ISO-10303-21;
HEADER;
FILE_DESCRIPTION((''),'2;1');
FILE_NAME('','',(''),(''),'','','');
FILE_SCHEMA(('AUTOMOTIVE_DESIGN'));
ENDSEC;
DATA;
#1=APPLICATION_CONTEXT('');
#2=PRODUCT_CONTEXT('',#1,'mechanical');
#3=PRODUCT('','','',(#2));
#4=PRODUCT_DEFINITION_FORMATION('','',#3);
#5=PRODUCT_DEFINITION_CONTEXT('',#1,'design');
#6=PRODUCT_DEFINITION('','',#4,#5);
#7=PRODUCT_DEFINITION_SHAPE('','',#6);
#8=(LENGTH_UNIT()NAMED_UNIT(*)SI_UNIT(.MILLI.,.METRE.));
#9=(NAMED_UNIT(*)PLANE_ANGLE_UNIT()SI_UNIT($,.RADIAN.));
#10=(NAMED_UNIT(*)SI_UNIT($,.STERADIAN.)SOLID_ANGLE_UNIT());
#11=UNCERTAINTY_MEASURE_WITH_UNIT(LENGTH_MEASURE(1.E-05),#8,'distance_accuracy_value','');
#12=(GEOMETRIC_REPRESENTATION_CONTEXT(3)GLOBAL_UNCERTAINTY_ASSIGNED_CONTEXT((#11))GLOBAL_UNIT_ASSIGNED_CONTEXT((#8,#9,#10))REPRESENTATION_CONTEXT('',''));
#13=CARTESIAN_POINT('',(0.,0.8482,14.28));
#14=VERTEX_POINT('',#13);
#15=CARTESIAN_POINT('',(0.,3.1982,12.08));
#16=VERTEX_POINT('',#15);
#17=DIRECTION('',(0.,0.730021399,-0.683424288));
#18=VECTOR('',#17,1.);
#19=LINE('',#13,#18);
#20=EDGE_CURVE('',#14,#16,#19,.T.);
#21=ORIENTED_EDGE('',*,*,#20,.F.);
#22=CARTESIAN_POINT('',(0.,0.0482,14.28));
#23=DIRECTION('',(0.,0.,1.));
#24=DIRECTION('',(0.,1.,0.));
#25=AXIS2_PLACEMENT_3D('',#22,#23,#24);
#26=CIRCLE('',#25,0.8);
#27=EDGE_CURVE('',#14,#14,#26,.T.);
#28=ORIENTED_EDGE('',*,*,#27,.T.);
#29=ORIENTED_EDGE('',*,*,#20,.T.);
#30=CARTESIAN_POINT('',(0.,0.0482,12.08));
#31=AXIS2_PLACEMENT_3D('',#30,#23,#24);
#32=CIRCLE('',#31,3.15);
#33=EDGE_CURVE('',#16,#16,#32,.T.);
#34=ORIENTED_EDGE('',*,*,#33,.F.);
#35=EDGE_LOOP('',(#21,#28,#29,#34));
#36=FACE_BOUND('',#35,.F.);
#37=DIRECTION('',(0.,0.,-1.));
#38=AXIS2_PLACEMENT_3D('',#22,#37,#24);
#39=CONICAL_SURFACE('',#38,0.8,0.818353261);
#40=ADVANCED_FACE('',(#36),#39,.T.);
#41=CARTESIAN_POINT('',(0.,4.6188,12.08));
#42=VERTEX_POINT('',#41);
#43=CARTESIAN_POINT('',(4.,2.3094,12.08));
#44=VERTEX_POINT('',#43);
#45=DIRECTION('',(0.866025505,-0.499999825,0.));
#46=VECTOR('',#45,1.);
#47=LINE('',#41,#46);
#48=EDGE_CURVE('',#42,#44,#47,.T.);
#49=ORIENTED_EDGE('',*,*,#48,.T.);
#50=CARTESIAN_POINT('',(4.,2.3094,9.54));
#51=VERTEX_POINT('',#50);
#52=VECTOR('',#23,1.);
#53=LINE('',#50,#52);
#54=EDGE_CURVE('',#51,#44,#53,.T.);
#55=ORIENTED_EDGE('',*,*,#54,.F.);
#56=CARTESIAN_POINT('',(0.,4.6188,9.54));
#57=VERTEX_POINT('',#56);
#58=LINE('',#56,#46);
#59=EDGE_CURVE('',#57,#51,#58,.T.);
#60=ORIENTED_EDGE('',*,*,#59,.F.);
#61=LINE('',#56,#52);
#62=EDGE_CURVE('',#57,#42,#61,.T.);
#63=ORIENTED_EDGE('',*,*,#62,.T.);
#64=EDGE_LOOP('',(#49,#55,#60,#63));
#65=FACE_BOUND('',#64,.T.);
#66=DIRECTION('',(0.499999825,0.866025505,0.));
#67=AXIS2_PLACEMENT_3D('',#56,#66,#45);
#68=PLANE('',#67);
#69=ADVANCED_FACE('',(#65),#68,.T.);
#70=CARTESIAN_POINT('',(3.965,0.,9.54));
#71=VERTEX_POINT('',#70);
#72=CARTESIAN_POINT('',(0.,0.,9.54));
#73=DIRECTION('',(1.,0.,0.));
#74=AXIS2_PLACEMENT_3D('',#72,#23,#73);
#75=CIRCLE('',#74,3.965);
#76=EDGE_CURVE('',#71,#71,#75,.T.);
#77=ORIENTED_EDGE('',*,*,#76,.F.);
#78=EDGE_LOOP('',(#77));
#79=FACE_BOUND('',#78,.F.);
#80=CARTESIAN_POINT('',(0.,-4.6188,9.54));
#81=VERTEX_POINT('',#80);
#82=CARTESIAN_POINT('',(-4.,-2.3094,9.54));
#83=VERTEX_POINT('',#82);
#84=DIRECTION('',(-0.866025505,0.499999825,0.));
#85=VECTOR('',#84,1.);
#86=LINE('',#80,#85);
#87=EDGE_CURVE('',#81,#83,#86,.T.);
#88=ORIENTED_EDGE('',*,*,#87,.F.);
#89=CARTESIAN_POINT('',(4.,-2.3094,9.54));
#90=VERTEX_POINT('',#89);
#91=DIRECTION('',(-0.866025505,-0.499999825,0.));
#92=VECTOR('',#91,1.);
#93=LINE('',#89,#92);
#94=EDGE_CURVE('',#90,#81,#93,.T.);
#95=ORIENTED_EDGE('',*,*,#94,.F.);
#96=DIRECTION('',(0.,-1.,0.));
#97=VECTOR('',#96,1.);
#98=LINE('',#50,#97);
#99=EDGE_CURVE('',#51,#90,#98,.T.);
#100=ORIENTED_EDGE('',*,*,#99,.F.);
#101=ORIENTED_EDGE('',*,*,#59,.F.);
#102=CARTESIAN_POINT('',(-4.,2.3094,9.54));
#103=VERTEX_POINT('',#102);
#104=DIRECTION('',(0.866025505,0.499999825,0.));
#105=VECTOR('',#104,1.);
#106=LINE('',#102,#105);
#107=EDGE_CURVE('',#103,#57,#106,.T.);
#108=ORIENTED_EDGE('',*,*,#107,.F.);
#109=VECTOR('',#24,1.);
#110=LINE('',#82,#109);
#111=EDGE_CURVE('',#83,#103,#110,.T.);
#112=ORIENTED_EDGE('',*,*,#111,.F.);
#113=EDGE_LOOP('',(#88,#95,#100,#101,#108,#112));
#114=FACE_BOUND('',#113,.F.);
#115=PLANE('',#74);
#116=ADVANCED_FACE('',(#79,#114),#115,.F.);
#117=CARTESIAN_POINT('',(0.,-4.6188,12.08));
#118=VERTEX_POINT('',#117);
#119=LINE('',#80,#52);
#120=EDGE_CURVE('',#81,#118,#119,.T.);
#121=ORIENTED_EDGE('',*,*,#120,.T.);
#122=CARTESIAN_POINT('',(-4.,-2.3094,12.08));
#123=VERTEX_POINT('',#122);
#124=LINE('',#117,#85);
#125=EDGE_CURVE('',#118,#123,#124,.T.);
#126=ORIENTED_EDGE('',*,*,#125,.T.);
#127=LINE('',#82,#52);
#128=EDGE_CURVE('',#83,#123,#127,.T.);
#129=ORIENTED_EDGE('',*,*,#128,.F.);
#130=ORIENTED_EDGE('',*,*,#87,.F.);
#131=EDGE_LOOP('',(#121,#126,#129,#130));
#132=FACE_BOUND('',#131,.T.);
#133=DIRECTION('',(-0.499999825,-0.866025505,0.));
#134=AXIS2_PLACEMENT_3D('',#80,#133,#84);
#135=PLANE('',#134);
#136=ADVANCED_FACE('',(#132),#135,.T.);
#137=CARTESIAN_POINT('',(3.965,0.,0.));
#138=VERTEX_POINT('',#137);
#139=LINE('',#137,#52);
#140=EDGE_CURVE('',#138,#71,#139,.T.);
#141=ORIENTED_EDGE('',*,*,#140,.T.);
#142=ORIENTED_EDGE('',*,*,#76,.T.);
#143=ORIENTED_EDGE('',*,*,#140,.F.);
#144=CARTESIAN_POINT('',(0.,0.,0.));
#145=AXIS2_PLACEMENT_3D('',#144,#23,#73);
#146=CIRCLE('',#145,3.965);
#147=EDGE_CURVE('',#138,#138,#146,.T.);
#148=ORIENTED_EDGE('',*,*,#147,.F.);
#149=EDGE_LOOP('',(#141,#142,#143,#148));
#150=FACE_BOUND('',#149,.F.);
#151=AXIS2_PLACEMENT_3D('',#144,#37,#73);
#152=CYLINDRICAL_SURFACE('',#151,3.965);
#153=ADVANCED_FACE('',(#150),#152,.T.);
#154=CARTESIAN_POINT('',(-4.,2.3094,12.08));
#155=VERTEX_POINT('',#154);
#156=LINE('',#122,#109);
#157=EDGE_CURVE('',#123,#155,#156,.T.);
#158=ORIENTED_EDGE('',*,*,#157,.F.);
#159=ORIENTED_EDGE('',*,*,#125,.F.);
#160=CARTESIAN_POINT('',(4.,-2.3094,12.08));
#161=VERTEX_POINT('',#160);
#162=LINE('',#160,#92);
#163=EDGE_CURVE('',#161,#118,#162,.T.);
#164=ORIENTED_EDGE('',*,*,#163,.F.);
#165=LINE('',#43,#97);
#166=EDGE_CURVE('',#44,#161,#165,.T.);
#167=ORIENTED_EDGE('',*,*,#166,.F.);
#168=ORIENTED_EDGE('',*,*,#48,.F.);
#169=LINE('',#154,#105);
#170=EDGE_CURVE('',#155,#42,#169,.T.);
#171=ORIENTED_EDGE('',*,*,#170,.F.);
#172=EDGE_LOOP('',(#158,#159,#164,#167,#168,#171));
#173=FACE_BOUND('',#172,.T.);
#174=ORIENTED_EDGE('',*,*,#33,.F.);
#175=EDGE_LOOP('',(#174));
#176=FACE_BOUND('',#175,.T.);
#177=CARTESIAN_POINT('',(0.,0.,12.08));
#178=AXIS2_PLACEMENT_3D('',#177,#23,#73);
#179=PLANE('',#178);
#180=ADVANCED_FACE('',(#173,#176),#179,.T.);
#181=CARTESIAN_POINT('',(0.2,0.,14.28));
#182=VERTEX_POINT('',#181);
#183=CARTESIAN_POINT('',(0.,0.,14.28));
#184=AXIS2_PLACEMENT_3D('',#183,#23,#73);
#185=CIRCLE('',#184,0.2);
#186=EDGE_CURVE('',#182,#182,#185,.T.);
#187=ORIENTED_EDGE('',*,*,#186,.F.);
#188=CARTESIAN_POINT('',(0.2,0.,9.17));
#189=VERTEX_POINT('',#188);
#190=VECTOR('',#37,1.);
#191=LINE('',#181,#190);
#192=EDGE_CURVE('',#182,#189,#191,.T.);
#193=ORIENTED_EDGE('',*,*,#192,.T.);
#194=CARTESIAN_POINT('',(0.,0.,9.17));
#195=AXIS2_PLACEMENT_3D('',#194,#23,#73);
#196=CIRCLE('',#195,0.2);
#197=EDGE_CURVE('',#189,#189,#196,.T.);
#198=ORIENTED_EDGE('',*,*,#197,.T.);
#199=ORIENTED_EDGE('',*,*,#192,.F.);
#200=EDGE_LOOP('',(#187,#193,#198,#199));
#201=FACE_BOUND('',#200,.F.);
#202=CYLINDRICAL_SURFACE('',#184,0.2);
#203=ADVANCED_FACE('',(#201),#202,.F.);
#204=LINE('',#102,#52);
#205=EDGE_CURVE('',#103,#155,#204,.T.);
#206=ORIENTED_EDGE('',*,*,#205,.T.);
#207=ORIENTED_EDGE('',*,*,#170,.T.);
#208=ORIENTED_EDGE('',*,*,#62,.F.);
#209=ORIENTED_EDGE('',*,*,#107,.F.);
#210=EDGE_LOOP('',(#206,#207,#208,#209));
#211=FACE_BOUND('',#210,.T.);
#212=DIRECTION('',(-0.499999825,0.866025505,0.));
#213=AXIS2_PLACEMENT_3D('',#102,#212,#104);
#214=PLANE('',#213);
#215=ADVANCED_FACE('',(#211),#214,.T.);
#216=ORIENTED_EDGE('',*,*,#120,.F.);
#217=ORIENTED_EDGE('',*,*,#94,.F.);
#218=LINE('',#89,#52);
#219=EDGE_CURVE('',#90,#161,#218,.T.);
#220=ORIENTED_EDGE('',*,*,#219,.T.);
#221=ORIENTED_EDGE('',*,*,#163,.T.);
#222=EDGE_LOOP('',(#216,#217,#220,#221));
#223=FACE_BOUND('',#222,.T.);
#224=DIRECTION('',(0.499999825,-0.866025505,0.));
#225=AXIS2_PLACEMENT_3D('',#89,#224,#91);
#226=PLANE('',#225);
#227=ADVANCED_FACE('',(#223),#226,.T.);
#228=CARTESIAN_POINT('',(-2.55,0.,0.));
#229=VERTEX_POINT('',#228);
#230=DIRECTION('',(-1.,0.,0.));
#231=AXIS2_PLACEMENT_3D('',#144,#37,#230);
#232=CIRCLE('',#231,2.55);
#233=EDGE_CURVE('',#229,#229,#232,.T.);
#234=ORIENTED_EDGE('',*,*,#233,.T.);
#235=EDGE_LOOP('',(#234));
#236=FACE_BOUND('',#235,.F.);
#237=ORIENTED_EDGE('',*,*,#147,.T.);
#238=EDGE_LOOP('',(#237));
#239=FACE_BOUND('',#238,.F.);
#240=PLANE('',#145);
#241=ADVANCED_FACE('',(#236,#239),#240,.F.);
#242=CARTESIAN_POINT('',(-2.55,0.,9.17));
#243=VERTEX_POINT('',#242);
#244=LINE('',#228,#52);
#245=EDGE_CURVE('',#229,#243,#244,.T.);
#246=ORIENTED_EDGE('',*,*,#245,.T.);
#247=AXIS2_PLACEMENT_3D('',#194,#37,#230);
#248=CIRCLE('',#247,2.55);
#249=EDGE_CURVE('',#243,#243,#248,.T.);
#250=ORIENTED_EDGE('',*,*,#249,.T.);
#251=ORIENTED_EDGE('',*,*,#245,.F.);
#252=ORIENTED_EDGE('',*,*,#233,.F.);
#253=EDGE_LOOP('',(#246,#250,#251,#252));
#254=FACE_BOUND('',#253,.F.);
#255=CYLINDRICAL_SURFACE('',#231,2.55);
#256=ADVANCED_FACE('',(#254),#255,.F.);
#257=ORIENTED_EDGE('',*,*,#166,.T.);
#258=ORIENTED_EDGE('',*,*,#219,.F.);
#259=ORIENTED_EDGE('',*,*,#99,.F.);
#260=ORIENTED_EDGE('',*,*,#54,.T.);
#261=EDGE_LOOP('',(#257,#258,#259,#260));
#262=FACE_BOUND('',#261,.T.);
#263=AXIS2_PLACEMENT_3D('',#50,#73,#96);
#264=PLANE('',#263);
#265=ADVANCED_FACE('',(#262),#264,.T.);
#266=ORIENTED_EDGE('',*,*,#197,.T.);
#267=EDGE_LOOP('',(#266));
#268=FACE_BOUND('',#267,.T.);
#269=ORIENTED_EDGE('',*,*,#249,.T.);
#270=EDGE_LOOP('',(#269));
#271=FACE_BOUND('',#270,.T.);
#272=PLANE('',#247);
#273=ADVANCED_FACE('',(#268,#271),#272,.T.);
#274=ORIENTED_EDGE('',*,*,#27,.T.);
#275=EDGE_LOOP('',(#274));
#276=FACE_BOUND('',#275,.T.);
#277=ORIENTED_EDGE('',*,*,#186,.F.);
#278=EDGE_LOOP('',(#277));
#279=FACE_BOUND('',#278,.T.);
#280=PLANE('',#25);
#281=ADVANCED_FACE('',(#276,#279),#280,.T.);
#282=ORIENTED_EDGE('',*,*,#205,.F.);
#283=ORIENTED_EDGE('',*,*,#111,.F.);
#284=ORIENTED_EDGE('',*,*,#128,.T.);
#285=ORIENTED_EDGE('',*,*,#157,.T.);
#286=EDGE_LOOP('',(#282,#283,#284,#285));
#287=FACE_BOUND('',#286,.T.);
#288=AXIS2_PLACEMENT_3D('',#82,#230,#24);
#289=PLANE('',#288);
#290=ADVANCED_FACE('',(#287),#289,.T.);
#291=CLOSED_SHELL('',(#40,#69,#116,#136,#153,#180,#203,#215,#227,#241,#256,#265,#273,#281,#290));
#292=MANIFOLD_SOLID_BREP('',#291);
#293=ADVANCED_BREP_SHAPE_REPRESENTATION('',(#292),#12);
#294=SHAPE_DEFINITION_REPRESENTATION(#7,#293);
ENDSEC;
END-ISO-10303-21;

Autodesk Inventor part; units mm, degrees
ref_plane "YZ Plane" through (0, 0, 0) normal (1, 0, 0) x (0, 1, 0)
ref_plane "XZ Plane" through (0, 0, 0) normal (0, 1, 0) x (-1, 0, 0)
sketch "Sketch1" plane through (0, 0, 0) normal (0, 0, 1) x (1, 0, 0)
  circle A0 centre (0, 0) radius 3.965
  dimension "d0" = 7.93
extrude "Extrusion1" add sketch "Sketch1" along normal blind 9.54
sketch "Sketch2" plane through (0, 0, 9.54) normal (0, 0, 1) x (1, 0, 0)
  circle A0 centre (0, 0) radius 3.965 projected
  line L0 (0, 4.6188) -> (4, 2.3094)
  line L1 (4, 2.3094) -> (4, -2.3094)
  line L2 (4, -2.3094) -> (0, -4.6188)
  line L3 (0, -4.6188) -> (-4, -2.3094)
  line L4 (-4, -2.3094) -> (-4, 2.3094)
  line L5 (-4, 2.3094) -> (0, 4.6188)
  dimension "d4" = 8
extrude "Extrusion2" add sketch "Sketch2" along normal blind 2.54 contours A0 | L0 L1 L2 L3 L4 L5
ref_plane "Work Plane1" through (0, -2.3094, 9.54) normal (1, 0, 0) x (0, 0, -1)
sketch "Sketch3" plane through (0, -2.3094, 9.54) normal (1, 0, 0) x (0, 0, -1)
  line L0 (-2.54, 2.3576) -> (-4.74, 2.3576)
  line L1 (-4.74, 3.1576) -> (-2.54, 5.5076)
  line L2 (-4.74, 3.1576) -> (-4.74, 2.3576)
  line L3 (-2.54, 0) -> (-2.54, 4.6188) projected
  line L4 (9.54, 2.3094) -> (2.1715, 2.3094)
  line L5 (-2.54, 4.6188) -> (-2.54, 6.9282) projected
  line L6 (-2.54, 5.5076) -> (-2.54, 2.3576)
  point P0 (-2.54, 2.3094)
  dimension "d7" = 3.15
  dimension "d9" = 2.2
  dimension "d10" = 0.8
revolve "Revolution1" add sketch "Sketch3" angle 360 about axis through (0, 0.0482, 12.08) along (0, 0, 1)
sketch "Sketch4" plane through (0, 0.0482, 14.28) normal (0, 0, 1) x (1, 0, 0)
  circle A0 centre (0, -0.0482) radius 0.2
  dimension "d12" = 0.4
extrude "Extrusion3" cut sketch "Sketch4" against normal through all
sketch "Sketch5" plane through (0, 0, 0) normal (0, 0, -1) x (-1, 0, 0)
  circle A0 centre (0, 0) radius 0.2 projected
  circle A1 centre (0, 0) radius 2.55
  point P0 (0, 0)
  dimension "d15" = 5.1
extrude "Extrusion4" cut sketch "Sketch5" against normal blind 9.17 contours A0 | A1
thread "Thread1" size "M5.5x0.5" class "6H" standard "ANSI Metric M Profile" full length
properties part number "nozzel" material "Brass, Soft Yellow"
